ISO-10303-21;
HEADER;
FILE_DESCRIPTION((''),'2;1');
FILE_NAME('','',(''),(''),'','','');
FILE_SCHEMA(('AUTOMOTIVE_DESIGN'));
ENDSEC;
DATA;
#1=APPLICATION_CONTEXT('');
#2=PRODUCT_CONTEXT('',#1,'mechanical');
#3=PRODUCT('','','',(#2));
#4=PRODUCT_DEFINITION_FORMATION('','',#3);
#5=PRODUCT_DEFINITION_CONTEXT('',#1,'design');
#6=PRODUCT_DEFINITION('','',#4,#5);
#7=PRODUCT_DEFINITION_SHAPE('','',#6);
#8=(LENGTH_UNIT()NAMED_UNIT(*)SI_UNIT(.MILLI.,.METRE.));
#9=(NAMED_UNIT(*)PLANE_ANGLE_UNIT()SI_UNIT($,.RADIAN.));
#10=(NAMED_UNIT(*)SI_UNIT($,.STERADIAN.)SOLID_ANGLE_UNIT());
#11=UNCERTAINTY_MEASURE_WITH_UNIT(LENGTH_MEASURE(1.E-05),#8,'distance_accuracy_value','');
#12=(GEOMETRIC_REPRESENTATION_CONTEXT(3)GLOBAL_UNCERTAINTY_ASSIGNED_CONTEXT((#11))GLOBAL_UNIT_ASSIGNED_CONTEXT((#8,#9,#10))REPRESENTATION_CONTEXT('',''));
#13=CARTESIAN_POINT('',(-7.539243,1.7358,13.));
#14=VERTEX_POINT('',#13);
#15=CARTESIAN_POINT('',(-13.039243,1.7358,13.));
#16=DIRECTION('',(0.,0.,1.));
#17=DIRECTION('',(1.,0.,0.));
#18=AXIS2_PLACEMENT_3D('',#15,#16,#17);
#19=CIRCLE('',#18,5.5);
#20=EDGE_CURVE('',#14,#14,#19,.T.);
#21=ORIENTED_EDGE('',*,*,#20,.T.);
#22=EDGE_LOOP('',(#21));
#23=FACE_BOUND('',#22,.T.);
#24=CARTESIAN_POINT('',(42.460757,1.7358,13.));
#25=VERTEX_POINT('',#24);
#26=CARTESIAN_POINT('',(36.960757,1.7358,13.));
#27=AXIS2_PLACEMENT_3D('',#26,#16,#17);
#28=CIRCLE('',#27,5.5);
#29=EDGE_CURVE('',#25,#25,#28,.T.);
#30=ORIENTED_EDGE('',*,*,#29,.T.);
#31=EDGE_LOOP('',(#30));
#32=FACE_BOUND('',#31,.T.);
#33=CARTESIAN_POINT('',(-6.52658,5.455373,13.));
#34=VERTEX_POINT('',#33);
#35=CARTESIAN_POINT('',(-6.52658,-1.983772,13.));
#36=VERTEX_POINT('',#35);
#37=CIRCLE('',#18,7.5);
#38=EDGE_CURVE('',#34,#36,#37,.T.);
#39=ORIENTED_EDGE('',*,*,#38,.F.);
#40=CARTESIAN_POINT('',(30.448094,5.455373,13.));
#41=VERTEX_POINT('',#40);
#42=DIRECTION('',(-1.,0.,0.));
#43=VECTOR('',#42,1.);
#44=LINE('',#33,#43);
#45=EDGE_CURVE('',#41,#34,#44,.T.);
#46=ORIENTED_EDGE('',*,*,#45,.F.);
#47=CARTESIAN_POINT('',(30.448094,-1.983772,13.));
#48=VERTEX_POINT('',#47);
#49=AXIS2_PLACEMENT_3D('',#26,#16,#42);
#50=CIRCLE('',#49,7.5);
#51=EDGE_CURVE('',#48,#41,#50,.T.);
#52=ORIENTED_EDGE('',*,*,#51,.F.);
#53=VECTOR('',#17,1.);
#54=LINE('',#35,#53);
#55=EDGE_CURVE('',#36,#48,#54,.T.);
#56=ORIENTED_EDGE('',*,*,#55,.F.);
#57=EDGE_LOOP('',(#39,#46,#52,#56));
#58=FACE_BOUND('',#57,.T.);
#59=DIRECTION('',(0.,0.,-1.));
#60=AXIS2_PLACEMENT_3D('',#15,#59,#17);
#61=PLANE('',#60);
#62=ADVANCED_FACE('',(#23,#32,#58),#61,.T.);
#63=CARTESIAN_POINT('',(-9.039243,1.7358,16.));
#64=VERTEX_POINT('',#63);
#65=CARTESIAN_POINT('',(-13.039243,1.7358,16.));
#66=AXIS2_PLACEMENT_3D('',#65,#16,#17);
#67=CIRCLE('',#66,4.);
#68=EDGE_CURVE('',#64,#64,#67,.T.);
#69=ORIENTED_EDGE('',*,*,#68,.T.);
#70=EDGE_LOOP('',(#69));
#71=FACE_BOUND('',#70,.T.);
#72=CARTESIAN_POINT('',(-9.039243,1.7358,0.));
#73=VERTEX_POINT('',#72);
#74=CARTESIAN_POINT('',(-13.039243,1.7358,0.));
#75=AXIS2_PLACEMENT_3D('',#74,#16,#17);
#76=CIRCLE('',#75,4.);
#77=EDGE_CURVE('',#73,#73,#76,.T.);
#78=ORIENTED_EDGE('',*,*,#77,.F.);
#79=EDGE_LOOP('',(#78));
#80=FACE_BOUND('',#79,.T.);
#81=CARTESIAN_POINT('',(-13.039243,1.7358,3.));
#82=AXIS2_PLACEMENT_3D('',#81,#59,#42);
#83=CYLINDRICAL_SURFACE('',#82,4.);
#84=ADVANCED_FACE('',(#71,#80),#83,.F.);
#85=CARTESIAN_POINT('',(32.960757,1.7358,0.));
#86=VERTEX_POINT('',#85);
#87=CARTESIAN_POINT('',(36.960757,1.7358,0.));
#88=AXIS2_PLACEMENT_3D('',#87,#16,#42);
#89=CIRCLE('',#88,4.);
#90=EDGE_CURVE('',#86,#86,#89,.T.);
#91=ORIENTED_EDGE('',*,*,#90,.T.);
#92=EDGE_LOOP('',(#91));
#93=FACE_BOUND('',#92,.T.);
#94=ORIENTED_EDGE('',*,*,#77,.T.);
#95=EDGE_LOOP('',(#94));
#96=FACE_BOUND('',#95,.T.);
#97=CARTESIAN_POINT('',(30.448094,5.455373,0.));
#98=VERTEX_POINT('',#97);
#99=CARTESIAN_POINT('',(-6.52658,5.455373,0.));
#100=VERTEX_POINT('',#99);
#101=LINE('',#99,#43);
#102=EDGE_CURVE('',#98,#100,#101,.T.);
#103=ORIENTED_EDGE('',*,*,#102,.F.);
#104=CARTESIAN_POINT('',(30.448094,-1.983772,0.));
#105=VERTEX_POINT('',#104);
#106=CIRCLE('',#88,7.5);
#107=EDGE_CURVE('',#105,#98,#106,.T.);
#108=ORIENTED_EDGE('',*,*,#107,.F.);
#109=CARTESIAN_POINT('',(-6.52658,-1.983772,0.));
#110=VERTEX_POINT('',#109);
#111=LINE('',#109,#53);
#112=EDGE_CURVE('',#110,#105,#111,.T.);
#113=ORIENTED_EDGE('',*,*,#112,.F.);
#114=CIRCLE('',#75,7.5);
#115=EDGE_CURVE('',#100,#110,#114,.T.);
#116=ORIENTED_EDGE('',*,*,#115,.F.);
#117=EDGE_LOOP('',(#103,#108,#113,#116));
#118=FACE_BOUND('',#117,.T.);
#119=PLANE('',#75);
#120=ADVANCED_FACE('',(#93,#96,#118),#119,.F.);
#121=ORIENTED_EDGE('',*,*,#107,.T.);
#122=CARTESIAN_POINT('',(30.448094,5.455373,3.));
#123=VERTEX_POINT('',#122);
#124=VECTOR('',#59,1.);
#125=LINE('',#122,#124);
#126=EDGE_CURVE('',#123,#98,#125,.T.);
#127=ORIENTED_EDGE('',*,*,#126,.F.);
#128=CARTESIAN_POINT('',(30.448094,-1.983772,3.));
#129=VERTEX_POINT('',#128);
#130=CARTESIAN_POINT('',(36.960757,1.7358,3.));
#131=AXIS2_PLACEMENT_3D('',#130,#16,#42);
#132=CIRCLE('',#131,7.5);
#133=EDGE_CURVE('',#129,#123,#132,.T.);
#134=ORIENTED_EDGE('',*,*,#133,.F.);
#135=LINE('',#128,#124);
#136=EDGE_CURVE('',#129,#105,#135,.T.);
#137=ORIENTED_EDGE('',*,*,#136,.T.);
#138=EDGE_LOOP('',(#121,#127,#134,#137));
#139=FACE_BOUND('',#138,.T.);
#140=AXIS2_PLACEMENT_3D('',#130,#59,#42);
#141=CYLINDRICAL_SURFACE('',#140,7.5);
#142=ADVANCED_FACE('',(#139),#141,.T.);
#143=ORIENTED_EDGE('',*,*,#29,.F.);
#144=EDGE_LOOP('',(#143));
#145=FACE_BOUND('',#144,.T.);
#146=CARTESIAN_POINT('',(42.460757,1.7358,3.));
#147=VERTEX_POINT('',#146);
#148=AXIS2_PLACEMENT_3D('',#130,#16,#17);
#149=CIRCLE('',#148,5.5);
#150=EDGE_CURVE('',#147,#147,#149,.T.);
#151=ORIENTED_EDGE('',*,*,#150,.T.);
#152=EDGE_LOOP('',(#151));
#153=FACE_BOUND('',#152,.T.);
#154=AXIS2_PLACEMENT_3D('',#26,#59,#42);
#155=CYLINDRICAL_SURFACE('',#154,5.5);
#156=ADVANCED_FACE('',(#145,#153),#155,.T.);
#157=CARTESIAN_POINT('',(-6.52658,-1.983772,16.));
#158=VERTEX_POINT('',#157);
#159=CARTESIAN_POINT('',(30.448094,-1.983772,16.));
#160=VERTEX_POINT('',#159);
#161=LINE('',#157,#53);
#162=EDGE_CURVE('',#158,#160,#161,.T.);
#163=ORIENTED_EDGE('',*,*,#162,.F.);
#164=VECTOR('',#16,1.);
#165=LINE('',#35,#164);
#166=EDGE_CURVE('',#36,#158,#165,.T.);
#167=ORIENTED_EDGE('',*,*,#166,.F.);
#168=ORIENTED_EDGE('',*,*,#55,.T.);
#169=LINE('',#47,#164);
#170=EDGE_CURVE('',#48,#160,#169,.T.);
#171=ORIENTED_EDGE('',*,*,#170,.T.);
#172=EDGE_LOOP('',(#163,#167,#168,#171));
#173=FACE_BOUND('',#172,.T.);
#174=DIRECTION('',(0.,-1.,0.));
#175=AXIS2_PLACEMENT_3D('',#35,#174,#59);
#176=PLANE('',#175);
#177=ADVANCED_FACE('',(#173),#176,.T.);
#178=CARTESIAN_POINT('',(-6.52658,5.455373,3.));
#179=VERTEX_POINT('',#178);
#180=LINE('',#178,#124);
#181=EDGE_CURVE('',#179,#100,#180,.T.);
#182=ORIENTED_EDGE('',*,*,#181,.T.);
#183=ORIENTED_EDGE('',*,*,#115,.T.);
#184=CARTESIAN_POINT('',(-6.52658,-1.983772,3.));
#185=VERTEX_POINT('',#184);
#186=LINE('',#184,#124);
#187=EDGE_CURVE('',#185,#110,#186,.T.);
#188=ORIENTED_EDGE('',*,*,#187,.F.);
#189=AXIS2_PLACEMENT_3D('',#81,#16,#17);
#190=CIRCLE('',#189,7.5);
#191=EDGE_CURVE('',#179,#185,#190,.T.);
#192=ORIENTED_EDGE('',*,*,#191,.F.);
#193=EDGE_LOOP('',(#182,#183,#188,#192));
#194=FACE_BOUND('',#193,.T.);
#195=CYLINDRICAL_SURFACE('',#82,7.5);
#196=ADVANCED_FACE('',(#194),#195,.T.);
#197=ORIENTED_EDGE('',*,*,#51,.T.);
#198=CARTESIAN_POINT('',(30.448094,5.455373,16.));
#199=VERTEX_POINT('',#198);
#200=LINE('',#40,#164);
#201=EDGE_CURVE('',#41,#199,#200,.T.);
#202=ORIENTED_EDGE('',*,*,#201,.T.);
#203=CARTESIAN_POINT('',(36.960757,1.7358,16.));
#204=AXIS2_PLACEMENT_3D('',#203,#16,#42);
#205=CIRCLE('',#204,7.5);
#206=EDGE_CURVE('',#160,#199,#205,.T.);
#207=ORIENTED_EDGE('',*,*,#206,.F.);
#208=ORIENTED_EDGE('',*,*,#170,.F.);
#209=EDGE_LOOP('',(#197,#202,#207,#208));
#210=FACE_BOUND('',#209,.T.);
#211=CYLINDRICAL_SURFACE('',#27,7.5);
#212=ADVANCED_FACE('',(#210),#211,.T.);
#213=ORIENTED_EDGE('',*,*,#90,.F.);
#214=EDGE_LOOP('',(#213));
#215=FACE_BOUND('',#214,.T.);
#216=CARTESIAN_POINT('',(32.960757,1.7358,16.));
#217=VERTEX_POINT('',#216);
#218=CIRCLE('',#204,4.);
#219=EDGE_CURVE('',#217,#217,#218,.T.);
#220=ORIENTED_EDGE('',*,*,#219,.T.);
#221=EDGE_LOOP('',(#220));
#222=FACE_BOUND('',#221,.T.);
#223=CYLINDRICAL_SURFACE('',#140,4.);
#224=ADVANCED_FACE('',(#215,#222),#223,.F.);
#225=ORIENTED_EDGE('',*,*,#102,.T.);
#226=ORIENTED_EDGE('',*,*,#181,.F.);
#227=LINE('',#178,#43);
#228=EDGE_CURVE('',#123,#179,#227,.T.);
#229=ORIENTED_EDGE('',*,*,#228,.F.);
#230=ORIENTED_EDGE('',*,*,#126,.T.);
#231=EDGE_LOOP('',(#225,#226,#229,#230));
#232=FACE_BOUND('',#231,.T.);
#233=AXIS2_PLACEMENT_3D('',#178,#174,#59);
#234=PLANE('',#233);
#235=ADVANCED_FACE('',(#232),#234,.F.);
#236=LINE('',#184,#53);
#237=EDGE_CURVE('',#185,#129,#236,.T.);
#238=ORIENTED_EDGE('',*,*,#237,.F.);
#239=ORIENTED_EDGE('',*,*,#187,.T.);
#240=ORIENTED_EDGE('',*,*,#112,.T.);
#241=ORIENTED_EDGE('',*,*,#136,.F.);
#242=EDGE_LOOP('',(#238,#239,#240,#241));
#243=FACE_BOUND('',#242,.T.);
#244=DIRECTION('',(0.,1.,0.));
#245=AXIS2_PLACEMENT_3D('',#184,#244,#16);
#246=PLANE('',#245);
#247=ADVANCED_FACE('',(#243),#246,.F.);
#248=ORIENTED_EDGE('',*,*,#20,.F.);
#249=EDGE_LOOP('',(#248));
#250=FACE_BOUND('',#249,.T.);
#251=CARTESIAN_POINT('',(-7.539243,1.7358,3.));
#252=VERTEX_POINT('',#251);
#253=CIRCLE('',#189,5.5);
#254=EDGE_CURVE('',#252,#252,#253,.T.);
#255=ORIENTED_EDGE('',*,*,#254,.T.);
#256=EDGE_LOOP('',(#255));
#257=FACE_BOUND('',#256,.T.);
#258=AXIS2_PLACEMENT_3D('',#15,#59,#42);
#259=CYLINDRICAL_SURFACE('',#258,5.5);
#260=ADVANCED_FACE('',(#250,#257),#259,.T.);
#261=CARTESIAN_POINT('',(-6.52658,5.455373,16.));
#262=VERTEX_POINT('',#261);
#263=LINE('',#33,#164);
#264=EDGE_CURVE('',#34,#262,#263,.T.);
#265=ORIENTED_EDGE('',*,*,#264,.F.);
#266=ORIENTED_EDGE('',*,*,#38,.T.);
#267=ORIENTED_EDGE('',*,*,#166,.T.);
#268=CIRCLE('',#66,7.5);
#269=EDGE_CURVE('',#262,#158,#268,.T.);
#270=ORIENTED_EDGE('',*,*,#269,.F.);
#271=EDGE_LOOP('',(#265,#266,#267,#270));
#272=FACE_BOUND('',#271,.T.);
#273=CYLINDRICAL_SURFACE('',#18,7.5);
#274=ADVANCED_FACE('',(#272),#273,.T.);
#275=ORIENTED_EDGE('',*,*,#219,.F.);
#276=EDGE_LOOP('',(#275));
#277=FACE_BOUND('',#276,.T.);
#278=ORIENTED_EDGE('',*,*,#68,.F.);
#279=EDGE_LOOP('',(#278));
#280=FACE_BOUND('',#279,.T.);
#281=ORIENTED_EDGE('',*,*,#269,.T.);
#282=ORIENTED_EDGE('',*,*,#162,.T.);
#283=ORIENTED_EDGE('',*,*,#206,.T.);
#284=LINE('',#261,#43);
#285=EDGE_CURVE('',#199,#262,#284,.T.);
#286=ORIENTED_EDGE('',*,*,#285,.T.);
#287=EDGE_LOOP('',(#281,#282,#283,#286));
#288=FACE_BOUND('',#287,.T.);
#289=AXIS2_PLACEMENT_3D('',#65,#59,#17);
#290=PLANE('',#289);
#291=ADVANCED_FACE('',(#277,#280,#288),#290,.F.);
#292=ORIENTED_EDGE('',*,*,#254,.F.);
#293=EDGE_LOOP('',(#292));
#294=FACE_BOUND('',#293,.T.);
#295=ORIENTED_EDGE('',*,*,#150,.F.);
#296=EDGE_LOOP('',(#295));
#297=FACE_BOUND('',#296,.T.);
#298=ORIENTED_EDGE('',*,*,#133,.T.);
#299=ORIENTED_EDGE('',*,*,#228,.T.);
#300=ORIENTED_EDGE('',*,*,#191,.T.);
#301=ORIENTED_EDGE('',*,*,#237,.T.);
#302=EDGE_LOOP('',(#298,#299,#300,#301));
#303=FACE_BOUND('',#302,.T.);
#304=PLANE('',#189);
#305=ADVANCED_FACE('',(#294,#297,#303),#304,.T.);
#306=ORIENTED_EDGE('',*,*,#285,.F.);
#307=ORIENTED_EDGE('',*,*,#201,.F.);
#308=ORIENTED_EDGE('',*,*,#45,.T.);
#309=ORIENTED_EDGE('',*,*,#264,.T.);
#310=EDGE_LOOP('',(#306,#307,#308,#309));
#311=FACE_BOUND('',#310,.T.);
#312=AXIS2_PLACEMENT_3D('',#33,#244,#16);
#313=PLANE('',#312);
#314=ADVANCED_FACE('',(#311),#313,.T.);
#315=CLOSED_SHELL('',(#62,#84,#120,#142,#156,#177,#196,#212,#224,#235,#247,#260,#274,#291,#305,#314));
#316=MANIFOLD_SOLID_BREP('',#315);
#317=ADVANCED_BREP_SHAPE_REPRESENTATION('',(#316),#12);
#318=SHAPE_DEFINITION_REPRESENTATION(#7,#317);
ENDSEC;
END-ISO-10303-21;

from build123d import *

# Parameters (mm, degrees)
SKETCH_1_R      = 4
EXTRUDE_1_DEPTH = 3
SKETCH_2_R      = 5.5
SKETCH_2_R_2    = 4
EXTRUDE_2_DEPTH = 10


with BuildPart() as part:
    # 草图1 → 凸台-拉伸1 (new body)
    with BuildSketch(Plane.XY):
        with BuildLine():
            Line((-6.52657961, 5.455372618), (30.448093928, 5.455372618))
            ThreePointArc((30.448093928, 5.455372618), (44.460757159, 1.735800378), (30.448093928, -1.983771861))
            Line((30.448093928, -1.983771861), (-6.52657961, -1.983771861))
            ThreePointArc((-6.52657961, -1.983771861), (-20.539242841, 1.735800378), (-6.52657961, 5.455372618))
        make_face()
        with Locations((-13.039242841, 1.735800378)):
            Circle(SKETCH_1_R, mode=Mode.SUBTRACT)
        with Locations(Location((36.960757159, 1.735800378, 0), (0, 0, 180))):
            Circle(SKETCH_1_R, mode=Mode.SUBTRACT)
    extrude_1 = extrude(amount=EXTRUDE_1_DEPTH)

    # 草图2 → 凸台-拉伸2 (add)
    # profile 1 of 2: a face of its own
    with BuildSketch(Plane.XY.offset(3)):
        with Locations((-13.039242841, 1.735800378)):
            Circle(SKETCH_2_R)
        with Locations((-13.039242841, 1.735800378)):
            Circle(SKETCH_2_R_2, mode=Mode.SUBTRACT)
    # profile 2 of 2: a face of its own
    with BuildSketch(Plane.XY.offset(3)):
        with Locations((36.960757159, 1.735800378)):
            Circle(SKETCH_2_R)
        with Locations(Location((36.960757159, 1.735800378, 0), (0, 0, 180))):
            Circle(SKETCH_2_R_2, mode=Mode.SUBTRACT)
    extrude(amount=EXTRUDE_2_DEPTH)

    # 镜向1: 凸台-拉伸1 across plane
    add(extrude_1.mirror(Plane.XY.offset(8)))


solid = part.part
